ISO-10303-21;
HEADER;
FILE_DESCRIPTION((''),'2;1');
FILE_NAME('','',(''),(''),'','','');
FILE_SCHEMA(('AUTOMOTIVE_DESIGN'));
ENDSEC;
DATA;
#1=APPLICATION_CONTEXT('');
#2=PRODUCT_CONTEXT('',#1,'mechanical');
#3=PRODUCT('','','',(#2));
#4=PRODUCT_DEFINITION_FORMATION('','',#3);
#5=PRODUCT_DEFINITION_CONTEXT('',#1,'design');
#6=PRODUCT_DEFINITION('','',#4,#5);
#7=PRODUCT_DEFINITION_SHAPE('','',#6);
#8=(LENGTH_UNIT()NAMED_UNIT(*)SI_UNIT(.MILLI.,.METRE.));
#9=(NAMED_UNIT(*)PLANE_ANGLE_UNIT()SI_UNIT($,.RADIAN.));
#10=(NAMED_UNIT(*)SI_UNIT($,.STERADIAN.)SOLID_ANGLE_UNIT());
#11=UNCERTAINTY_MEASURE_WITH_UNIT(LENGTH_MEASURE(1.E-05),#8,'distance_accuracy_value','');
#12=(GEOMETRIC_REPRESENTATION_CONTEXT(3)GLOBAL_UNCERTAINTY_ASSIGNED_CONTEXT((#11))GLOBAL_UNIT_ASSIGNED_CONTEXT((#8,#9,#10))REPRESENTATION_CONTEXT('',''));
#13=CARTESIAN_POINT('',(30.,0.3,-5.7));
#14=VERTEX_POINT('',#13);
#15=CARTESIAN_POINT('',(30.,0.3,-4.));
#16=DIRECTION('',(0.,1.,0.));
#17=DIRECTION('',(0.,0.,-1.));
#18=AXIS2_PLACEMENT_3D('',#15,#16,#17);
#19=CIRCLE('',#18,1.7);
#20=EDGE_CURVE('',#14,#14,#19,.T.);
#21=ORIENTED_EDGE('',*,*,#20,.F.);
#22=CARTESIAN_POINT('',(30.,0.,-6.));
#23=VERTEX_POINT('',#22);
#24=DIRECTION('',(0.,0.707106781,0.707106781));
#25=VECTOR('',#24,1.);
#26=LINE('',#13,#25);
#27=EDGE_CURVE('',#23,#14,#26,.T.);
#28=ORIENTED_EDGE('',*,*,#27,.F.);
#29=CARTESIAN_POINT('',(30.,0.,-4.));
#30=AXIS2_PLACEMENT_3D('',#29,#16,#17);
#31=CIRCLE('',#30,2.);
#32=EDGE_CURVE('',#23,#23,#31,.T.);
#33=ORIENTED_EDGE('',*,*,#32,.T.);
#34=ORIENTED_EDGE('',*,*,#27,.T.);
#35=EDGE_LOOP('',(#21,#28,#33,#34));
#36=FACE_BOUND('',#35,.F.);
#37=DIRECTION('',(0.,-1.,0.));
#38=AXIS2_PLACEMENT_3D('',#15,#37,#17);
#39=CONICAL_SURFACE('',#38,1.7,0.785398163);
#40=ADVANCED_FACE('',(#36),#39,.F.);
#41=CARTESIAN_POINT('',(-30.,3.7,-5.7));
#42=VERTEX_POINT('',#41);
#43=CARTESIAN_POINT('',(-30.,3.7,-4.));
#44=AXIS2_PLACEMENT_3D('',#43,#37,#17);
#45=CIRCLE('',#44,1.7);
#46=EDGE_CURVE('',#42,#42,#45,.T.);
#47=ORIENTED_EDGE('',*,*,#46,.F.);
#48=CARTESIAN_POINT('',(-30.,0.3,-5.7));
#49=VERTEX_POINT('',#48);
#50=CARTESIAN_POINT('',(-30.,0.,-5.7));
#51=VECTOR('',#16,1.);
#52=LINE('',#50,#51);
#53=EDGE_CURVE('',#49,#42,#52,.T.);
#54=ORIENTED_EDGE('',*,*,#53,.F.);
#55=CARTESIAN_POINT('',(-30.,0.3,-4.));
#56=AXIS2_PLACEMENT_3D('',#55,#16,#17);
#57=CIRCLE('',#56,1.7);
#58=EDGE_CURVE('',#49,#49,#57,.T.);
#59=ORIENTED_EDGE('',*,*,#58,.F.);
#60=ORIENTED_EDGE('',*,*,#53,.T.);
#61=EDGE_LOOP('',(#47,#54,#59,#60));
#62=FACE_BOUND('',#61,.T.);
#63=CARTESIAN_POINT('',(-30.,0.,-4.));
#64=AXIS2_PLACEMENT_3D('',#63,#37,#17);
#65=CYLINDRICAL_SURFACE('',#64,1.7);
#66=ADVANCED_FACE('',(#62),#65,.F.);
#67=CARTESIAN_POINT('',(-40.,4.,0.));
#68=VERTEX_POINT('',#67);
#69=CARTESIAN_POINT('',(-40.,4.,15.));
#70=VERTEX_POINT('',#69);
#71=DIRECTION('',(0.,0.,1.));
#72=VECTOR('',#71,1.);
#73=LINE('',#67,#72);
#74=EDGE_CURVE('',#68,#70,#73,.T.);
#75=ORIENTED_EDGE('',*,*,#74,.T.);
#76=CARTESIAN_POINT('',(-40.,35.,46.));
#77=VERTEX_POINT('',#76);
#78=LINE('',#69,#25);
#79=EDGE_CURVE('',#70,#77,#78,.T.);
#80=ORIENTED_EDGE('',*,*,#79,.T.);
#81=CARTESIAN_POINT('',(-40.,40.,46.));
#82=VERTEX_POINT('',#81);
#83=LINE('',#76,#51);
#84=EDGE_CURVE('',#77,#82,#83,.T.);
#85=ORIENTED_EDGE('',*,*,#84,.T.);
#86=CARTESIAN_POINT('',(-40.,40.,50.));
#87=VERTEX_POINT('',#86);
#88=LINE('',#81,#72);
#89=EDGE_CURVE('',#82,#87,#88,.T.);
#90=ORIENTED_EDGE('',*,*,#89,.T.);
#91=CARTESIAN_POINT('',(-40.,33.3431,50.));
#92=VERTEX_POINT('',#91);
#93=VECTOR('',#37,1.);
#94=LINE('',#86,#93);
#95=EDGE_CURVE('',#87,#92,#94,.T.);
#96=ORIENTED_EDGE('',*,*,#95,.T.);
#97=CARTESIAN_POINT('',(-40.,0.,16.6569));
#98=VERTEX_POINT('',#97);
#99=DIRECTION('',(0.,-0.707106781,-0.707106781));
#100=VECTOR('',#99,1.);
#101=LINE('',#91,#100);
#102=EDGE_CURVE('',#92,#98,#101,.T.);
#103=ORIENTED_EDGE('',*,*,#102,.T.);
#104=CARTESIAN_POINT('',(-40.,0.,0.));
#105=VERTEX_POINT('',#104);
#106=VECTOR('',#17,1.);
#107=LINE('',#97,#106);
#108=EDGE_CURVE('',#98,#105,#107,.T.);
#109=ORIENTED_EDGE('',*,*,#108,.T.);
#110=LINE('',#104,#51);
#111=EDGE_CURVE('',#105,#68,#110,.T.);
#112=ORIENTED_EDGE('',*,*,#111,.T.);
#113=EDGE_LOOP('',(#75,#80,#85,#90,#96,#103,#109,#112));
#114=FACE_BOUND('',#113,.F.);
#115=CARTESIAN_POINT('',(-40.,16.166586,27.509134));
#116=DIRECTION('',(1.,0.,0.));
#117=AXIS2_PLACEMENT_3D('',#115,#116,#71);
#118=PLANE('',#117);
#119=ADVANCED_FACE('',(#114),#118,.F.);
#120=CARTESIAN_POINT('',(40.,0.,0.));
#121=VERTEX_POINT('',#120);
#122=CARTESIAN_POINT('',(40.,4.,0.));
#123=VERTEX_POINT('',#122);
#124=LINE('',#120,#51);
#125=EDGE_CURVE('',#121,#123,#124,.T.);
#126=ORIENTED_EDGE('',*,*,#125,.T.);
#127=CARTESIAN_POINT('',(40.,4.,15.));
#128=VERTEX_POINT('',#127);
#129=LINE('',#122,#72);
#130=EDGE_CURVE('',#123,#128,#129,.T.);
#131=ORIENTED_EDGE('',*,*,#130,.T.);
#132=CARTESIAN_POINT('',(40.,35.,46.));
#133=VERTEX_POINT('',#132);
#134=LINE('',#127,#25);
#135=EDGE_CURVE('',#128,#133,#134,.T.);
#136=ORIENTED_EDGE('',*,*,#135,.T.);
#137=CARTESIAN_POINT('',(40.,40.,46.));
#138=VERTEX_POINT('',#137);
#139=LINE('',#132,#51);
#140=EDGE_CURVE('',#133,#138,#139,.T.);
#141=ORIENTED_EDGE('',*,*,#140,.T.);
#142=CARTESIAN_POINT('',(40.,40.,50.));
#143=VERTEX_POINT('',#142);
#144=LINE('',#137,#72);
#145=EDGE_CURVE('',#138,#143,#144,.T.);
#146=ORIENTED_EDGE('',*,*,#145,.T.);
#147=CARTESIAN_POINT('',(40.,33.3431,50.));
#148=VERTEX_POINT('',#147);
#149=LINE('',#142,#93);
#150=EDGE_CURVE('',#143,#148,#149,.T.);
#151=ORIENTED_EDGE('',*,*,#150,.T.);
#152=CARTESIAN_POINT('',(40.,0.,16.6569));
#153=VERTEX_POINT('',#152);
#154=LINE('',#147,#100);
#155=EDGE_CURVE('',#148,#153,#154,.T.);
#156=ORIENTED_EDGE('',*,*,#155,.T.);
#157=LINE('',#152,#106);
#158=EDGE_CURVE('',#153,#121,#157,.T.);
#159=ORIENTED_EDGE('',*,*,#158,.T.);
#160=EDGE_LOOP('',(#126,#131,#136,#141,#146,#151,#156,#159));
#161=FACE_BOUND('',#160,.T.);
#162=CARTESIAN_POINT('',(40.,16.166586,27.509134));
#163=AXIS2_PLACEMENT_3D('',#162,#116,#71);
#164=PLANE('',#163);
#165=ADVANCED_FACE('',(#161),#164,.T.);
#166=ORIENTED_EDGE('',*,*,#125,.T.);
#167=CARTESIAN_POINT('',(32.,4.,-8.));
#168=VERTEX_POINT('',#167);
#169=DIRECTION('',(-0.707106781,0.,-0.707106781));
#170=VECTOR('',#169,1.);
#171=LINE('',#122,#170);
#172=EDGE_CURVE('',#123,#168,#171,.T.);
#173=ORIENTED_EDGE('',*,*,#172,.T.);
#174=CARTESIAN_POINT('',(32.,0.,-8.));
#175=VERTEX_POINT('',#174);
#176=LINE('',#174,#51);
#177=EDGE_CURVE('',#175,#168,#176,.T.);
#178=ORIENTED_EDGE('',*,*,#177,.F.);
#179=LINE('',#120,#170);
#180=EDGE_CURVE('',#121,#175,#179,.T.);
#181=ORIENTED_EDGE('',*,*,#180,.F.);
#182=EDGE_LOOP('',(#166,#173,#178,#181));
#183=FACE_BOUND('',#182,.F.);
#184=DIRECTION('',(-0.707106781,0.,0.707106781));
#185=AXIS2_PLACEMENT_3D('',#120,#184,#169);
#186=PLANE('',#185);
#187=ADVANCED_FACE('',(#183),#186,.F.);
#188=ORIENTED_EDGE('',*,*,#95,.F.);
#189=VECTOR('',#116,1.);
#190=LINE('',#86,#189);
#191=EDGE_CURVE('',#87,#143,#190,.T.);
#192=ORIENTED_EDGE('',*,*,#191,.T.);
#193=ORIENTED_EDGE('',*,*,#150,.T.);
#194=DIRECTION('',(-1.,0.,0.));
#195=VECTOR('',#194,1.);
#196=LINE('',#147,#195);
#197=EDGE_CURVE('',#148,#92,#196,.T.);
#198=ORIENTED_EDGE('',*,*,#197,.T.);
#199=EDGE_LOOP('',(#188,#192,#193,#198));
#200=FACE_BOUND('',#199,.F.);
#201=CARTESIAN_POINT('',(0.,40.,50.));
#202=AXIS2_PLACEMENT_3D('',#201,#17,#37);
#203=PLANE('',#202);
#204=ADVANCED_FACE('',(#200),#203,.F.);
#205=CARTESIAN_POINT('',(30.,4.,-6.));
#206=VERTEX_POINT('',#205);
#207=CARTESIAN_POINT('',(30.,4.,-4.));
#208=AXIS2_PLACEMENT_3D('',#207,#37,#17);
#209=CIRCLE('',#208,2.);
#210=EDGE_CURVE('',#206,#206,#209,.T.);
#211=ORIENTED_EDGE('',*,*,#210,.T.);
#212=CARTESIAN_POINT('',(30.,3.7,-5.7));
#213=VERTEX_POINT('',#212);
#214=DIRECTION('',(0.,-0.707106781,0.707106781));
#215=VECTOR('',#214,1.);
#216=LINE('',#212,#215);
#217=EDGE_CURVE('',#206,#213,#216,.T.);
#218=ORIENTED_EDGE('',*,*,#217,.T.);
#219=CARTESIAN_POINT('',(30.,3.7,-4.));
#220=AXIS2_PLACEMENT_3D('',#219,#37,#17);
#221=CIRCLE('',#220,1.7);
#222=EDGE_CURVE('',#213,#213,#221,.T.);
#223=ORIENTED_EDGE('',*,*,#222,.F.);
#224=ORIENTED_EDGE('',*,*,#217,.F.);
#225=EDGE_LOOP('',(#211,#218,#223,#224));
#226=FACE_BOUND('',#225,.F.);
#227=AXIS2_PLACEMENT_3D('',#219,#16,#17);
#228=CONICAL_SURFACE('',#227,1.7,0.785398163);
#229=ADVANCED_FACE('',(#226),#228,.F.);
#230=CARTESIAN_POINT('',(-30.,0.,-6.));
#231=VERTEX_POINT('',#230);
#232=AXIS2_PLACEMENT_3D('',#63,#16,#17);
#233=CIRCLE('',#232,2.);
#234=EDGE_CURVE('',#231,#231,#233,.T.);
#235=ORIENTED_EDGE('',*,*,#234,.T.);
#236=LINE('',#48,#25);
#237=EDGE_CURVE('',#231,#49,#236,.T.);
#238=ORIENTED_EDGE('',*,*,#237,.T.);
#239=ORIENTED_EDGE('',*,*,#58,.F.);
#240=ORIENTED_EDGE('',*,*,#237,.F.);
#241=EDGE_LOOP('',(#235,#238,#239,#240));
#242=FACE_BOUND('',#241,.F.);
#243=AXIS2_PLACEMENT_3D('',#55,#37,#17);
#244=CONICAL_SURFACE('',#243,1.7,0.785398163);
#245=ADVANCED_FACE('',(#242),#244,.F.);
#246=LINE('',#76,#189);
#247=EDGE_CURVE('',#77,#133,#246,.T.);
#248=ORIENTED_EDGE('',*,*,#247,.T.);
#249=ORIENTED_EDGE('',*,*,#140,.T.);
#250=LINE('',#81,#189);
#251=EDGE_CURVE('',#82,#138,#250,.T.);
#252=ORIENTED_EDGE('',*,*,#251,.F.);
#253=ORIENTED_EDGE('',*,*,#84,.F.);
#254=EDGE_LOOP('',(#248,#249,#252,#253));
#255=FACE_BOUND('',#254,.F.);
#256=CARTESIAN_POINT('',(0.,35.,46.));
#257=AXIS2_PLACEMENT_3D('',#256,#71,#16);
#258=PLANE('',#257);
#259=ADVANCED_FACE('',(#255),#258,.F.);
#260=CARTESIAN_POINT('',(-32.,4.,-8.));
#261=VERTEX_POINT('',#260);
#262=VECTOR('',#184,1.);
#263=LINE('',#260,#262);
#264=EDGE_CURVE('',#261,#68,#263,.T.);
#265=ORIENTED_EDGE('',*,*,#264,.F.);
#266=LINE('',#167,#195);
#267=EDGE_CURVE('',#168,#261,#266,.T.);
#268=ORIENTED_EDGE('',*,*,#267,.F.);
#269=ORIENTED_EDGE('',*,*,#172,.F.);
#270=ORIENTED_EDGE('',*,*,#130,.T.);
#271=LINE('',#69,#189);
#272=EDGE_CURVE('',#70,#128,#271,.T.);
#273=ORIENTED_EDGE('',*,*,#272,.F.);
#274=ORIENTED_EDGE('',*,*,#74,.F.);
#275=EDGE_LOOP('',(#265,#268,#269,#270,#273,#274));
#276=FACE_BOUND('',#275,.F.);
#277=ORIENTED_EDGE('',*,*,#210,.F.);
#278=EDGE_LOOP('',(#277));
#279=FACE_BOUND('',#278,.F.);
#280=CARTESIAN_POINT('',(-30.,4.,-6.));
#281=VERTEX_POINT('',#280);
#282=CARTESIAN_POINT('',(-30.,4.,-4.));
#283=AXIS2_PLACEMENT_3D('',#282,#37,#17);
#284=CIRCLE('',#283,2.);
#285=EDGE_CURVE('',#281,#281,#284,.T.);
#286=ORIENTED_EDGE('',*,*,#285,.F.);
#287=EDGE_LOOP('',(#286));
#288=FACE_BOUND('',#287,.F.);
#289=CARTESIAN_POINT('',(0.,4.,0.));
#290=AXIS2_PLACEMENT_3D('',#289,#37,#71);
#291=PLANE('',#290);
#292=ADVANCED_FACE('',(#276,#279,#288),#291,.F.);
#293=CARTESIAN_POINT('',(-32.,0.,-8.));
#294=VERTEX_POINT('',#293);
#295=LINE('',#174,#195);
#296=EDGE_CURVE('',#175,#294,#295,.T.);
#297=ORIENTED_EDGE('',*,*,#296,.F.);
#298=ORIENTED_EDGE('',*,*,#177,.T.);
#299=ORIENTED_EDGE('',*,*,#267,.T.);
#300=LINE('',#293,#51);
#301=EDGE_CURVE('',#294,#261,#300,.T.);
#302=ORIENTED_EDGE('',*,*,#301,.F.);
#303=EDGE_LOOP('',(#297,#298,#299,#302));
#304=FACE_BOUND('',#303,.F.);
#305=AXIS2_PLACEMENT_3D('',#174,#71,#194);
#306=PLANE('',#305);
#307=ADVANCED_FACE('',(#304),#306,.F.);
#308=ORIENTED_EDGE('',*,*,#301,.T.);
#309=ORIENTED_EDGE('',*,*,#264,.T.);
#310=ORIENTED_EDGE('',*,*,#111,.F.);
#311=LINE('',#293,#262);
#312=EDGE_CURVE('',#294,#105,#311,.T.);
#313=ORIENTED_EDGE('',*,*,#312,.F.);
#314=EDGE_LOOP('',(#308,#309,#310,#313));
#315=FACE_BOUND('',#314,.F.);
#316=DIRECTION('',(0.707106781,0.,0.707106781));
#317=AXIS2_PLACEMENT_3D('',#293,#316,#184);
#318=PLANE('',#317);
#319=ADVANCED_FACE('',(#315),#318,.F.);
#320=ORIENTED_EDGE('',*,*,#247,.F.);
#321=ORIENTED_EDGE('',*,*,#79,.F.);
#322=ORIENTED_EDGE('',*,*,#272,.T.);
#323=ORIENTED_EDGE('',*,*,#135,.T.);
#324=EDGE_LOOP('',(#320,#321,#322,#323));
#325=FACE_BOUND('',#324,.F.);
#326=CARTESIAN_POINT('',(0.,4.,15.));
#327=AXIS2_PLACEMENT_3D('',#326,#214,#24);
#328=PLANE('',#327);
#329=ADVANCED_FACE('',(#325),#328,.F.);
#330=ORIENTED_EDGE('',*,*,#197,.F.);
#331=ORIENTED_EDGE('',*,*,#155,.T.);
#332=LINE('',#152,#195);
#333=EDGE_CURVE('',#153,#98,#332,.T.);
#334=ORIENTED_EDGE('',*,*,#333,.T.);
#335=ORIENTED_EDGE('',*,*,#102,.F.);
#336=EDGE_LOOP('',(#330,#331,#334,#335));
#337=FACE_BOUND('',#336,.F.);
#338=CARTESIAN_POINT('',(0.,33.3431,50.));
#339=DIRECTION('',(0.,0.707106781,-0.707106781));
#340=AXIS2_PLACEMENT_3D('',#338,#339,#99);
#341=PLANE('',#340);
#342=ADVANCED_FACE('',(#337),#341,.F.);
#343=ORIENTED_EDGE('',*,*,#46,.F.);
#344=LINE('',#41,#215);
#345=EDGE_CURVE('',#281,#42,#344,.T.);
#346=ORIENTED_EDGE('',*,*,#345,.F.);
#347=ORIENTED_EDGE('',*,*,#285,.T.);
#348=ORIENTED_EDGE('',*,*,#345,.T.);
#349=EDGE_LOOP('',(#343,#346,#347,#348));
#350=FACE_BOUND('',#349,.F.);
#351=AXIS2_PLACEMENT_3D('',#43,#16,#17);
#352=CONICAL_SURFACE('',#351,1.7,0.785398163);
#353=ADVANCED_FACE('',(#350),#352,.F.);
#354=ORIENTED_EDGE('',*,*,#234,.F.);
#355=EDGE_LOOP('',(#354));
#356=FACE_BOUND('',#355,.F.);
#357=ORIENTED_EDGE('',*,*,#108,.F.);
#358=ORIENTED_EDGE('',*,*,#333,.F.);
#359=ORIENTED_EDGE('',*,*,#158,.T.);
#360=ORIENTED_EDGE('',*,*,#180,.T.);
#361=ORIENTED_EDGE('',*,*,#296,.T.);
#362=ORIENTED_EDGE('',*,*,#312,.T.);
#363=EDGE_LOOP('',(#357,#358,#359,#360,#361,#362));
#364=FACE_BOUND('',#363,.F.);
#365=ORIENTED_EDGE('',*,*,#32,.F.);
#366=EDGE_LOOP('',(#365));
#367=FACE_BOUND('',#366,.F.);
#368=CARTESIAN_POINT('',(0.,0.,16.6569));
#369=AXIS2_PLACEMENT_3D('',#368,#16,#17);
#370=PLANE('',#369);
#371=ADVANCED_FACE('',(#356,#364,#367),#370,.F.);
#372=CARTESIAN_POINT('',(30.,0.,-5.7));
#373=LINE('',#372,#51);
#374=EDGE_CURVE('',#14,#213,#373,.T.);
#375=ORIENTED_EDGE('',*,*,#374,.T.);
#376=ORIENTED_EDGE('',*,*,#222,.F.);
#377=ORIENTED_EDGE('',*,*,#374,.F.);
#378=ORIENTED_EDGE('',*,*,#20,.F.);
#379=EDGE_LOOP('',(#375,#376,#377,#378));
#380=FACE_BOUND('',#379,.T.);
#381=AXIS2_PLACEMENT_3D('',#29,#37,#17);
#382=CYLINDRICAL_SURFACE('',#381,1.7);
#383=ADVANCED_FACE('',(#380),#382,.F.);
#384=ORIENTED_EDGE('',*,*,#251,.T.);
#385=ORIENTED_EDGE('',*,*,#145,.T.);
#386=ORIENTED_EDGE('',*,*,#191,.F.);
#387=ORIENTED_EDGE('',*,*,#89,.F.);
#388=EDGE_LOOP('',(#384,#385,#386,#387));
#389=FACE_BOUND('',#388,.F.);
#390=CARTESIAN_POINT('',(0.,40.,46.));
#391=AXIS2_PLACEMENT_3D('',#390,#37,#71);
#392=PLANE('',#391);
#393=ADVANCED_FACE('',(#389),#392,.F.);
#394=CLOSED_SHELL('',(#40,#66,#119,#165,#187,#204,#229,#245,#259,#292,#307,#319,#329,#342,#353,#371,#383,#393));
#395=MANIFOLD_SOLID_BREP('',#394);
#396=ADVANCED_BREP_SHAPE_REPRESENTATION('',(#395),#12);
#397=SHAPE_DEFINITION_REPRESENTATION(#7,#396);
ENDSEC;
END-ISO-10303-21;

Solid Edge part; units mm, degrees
sketch "Sketch1" plane through (0, 0, 0) normal (1, 0, 0) x (0, 1, 0)
  line L0 (0, 0) -> (4, 0)
  line L1 (4, 0) -> (4, 15)
  line L2 (4, 15) -> (35, 46)
  line L3 (35, 46) -> (40, 46)
  line L4 (40, 46) -> (40, 50)
  line L5 (40, 50) -> (33.3431, 50)
  line L6 (33.3431, 50) -> (0, 16.6569)
  line L7 (0, 16.6569) -> (0, 0)
  dimension "D1" = 50
  dimension "D2" = 15
  dimension "D3" = 4
  dimension "D4" = 40
extrude "Protrusion1" add sketch "Sketch1" along normal mid plane 80
sketch "Sketch2" plane through (0, 0, 8.3284) normal (0, -1, 0) x (1, 0, 0)
  line L0 (-40, -8.3284) -> (40, -8.3284)
  line L1 (40, -8.3284) -> (32, -16.3284)
  line L2 (32, -16.3284) -> (-32, -16.3284)
  line L3 (-32, -16.3284) -> (-40, -8.3284)
  dimension "D1" = 80
  dimension "D2" = 8
  dimension "D3" = 64
extrude "Protrusion2" add sketch "Sketch2" against normal up to vertex (4 mm away)
hole "Hole1" at (-30, 0, -4) direction (0, 1, 0) diameter 3.4 end up to next start chamfer 0.3 start chamfer angle 45 end chamfer 0.3 end chamfer angle 45
hole "Hole2" at (30, 0, -4) direction (0, 1, 0) diameter 3.4 end up to next start chamfer 0.3 start chamfer angle 45 end chamfer 0.3 end chamfer angle 45
properties material "Polyethylene, low density"
